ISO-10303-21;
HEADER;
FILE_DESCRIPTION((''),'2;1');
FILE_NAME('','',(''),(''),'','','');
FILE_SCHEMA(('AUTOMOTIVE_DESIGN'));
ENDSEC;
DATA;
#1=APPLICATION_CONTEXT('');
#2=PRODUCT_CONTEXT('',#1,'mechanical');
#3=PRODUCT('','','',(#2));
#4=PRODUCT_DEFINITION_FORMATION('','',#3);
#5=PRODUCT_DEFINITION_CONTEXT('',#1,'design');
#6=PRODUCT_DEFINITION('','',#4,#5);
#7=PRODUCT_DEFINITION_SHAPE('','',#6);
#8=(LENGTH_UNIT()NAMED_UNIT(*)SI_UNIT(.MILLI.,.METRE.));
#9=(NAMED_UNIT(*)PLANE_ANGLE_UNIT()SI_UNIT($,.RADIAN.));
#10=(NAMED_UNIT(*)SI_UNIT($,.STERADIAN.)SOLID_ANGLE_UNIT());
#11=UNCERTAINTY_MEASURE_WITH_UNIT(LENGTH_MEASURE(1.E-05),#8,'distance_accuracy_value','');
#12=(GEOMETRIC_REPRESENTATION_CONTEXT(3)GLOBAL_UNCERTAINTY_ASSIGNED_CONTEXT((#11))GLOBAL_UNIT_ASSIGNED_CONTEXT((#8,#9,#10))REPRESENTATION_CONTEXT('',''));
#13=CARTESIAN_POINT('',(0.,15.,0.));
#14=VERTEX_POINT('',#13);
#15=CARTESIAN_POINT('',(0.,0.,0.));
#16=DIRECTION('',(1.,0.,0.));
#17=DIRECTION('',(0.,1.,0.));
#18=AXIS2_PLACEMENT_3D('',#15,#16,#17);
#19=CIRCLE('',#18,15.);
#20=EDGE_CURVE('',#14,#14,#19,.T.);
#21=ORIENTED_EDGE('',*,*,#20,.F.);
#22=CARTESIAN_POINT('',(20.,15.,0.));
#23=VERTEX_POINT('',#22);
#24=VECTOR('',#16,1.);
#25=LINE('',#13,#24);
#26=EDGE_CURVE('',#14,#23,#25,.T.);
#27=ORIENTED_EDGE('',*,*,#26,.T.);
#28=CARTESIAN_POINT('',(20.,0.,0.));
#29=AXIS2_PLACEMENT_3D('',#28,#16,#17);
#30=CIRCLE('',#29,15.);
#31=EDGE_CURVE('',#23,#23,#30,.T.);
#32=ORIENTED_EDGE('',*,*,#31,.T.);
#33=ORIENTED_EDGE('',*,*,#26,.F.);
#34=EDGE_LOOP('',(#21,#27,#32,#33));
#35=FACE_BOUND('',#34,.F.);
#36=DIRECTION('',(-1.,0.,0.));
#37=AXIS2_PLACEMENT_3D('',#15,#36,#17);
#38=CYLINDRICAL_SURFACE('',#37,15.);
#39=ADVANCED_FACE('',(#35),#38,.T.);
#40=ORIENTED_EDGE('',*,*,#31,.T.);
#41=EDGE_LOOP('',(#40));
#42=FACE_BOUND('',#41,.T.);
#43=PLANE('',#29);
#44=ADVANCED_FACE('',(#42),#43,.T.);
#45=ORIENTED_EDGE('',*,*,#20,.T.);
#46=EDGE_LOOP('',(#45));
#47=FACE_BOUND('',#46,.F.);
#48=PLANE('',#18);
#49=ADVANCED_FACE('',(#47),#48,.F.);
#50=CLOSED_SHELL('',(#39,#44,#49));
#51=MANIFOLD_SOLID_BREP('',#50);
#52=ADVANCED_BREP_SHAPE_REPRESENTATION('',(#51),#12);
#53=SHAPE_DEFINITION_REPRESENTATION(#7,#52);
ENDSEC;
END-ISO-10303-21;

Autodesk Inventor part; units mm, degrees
ref_plane "YZ Plane" through (0, 0, 0) normal (1, 0, 0) x (0, 1, 0)
ref_plane "XZ Plane" through (0, 0, 0) normal (0, 1, 0) x (-1, 0, 0)
ref_plane "XY Plane" through (0, 0, 0) normal (0, 0, 1) x (1, 0, 0)
sketch "Эскиз1" plane through (0, 0, 0) normal (1, 0, 0) x (0, 1, 0)
  circle A0 centre (0, 0) radius 15
  dimension "d0" = 30
extrude "Выдавливание1" add sketch "Эскиз1" along normal blind 20
properties part number "lw_6_part3_wheel"
